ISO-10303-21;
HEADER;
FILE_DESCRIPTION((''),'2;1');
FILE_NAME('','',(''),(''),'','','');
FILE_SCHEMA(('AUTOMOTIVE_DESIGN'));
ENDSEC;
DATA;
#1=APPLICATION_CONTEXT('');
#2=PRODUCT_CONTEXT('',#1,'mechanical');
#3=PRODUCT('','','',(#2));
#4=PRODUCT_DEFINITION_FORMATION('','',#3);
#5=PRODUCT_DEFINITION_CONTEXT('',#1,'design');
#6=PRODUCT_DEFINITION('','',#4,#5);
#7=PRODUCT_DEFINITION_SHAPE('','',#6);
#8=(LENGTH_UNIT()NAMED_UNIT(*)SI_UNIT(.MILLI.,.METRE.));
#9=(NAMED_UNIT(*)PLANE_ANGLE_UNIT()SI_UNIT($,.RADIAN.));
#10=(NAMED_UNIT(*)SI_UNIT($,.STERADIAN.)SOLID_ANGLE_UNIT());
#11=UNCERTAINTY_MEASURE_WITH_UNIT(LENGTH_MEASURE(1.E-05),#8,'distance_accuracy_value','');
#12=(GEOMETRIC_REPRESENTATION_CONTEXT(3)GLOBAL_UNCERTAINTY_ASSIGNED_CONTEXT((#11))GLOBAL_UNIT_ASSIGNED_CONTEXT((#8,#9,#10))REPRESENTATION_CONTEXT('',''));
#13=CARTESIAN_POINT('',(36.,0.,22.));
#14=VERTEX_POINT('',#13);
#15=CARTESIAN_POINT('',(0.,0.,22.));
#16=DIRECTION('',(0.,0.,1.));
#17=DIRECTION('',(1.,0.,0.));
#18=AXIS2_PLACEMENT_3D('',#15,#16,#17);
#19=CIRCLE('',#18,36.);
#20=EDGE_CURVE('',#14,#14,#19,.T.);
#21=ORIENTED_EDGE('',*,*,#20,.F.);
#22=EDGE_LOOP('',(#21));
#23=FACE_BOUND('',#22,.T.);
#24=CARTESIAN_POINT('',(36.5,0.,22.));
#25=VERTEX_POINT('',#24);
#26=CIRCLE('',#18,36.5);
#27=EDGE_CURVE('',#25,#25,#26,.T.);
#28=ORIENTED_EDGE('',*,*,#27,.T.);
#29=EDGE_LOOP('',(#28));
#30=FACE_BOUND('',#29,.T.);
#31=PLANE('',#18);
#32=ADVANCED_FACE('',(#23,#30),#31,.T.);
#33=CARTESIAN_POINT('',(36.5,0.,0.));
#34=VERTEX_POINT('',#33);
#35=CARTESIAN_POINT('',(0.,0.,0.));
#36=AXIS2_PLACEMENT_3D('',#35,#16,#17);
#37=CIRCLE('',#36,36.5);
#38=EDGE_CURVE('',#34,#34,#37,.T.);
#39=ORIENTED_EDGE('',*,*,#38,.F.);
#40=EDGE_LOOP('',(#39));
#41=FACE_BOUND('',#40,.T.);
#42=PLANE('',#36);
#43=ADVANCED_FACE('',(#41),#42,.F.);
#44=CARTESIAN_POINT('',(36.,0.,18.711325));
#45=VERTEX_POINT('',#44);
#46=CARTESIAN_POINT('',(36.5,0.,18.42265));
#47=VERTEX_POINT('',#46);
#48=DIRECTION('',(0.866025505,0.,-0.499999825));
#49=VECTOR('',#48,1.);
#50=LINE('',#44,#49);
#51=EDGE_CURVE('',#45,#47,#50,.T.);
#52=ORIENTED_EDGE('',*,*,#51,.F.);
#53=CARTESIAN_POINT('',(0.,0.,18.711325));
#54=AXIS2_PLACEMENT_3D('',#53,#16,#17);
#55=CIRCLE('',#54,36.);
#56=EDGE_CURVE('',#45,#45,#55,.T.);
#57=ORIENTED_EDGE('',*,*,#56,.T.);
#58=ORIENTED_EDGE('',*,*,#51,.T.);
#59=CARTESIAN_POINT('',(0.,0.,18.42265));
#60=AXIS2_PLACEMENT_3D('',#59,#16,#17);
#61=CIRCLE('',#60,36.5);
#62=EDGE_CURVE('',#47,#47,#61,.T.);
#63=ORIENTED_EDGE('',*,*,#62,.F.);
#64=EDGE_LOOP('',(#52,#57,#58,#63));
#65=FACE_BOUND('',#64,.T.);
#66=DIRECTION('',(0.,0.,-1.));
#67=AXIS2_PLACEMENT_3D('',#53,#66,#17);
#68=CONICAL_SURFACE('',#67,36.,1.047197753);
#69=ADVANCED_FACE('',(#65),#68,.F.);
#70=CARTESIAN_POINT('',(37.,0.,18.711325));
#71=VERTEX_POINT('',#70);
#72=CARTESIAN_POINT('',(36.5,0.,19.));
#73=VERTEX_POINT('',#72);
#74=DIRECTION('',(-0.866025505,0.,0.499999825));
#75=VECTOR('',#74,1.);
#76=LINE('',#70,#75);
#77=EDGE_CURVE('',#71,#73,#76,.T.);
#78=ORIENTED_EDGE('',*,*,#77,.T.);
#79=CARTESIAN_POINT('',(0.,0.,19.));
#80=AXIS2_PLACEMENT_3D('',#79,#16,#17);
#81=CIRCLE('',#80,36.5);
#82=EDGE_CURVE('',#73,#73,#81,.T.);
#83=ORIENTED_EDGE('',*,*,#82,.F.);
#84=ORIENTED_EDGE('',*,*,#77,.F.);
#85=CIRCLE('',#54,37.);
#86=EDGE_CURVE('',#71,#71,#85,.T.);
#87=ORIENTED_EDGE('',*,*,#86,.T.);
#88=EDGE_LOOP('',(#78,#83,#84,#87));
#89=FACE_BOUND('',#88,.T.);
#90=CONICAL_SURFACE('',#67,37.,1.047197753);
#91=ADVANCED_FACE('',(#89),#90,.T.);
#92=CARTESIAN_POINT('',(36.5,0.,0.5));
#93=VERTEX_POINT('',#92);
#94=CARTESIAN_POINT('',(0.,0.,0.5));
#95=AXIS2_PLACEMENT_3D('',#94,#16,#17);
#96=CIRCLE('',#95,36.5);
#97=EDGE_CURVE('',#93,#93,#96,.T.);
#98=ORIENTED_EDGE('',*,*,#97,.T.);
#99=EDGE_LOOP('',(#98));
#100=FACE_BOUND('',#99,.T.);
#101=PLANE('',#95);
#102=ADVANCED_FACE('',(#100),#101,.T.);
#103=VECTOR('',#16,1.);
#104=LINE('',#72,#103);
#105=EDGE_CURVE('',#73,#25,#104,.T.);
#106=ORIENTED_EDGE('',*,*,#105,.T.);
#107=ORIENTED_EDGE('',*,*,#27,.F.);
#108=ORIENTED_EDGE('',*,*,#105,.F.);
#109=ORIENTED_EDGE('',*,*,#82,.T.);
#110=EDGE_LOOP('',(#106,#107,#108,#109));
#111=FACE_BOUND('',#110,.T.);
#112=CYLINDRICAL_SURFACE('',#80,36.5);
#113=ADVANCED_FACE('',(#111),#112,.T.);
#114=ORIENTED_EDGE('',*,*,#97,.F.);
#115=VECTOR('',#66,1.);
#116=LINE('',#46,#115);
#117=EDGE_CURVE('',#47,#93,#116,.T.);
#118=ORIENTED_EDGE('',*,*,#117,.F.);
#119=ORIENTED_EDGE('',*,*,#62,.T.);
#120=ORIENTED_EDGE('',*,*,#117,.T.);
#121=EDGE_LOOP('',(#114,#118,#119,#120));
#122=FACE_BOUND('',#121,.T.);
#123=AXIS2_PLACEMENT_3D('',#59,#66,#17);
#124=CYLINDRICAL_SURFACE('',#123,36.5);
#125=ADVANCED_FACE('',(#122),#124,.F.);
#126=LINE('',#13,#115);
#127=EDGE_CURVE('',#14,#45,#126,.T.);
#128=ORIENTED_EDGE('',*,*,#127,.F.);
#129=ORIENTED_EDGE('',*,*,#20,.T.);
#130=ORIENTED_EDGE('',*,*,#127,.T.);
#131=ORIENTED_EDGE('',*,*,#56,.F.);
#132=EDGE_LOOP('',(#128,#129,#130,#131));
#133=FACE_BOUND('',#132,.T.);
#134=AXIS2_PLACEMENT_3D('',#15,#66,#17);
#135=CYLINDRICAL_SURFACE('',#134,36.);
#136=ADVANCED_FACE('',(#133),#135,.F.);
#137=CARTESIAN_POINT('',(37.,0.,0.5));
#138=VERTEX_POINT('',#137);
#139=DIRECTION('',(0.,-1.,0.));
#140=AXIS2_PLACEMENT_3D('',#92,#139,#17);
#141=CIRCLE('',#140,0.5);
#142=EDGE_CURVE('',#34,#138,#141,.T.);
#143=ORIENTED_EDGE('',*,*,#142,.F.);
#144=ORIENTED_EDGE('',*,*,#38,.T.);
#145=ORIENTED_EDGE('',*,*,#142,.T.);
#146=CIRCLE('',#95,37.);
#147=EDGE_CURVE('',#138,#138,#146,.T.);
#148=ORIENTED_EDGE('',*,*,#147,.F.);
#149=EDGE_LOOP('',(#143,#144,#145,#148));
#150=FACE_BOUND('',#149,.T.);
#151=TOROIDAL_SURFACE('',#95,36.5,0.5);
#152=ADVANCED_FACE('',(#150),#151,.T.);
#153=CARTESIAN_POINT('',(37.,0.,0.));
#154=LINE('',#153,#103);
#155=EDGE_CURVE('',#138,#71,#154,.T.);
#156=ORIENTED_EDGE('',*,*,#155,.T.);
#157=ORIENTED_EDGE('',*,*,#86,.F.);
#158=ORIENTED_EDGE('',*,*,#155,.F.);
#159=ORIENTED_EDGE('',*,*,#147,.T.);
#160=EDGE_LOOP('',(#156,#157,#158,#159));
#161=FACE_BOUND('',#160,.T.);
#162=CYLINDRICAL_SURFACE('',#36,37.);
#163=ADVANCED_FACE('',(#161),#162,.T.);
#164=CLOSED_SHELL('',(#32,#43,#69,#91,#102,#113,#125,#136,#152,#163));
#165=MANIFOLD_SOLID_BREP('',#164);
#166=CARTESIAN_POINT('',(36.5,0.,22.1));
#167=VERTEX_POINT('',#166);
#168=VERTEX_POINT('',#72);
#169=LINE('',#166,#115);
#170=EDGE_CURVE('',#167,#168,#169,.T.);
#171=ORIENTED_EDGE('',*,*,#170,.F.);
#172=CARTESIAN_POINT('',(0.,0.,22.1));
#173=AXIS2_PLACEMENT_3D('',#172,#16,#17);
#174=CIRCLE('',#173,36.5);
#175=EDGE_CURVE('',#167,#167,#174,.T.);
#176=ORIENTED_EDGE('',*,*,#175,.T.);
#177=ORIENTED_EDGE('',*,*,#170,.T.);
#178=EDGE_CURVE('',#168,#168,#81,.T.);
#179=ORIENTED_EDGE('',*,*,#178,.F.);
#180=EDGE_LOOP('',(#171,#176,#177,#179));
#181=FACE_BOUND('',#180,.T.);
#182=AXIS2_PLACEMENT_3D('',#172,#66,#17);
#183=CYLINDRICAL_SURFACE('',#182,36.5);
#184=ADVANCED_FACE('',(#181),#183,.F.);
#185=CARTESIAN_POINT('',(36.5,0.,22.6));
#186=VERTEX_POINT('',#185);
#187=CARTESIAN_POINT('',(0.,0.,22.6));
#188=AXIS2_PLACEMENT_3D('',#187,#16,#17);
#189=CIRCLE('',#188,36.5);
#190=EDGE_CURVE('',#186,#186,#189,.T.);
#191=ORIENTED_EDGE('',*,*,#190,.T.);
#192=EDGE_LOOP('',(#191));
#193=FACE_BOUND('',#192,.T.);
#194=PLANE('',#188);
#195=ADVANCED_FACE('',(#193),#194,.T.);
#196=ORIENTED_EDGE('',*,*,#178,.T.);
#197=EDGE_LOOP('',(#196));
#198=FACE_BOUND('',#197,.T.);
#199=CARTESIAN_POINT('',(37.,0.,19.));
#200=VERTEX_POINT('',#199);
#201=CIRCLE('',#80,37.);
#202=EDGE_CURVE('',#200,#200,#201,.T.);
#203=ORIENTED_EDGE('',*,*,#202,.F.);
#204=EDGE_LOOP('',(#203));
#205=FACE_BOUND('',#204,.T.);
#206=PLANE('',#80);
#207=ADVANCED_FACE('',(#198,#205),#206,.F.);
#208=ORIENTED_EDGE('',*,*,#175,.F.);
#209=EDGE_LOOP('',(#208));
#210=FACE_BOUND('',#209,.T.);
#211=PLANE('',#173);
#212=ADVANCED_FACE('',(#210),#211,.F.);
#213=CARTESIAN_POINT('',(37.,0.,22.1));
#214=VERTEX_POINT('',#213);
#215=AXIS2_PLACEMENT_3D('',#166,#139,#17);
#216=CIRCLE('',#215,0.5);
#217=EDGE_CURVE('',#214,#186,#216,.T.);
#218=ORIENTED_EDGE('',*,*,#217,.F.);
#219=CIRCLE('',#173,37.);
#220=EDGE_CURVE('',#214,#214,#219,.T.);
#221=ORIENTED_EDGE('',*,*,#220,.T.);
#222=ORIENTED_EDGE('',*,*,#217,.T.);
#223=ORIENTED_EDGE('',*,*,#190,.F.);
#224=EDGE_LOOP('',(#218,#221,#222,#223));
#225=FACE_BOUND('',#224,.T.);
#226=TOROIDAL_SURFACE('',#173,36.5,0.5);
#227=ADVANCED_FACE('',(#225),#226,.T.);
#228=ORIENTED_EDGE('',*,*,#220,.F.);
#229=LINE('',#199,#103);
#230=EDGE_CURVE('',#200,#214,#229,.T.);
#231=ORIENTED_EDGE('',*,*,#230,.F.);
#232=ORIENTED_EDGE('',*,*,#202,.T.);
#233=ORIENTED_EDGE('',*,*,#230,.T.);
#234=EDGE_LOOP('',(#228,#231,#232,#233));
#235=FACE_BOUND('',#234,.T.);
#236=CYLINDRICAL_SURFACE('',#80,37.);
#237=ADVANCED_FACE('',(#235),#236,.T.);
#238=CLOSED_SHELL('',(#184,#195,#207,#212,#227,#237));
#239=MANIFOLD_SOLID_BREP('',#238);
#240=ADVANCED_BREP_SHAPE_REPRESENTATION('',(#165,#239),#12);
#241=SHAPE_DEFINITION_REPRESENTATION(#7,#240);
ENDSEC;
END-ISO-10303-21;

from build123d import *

# Parameters (mm, degrees)
F2_R = 0.5
F5_R = 0.5


with BuildPart() as f1:
    # F0 (on Front) → F1 (revolve)
    with BuildSketch(Plane.XZ):
        Polygon((0, 0.5), (0, 0), (37, 0), (37, 18.711325), (36.5, 19), (36.5, 22), (36, 22), (36, 18.711325), (36.5, 18.42265), (36.5, 0.5), align=None)
    revolve(axis=Axis((0, 0, 11), (0, 0, 1)))

    # F2
    f2_edges = [f1.edges().sort_by_distance(p)[0] for p in [
        (-37, 0, 0),
    ]]
    fillet(f2_edges, radius=F2_R)


with BuildPart() as f4:
    # F3 (on Front) → F4 (revolve)
    with BuildSketch(Plane.XZ):
        Polygon((0, 22.1), (36.5, 22.1), (36.5, 19), (37, 19), (37, 22.6), (0, 22.6), align=None)
    revolve(axis=Axis((0, 0, 11.3), (0, 0, 1)))

    # F5
    f5_edges = [f4.edges().sort_by_distance(p)[0] for p in [
        (-37, 0, 22.6),
    ]]
    fillet(f5_edges, radius=F5_R)


solid = Compound([f1.part, f4.part])
